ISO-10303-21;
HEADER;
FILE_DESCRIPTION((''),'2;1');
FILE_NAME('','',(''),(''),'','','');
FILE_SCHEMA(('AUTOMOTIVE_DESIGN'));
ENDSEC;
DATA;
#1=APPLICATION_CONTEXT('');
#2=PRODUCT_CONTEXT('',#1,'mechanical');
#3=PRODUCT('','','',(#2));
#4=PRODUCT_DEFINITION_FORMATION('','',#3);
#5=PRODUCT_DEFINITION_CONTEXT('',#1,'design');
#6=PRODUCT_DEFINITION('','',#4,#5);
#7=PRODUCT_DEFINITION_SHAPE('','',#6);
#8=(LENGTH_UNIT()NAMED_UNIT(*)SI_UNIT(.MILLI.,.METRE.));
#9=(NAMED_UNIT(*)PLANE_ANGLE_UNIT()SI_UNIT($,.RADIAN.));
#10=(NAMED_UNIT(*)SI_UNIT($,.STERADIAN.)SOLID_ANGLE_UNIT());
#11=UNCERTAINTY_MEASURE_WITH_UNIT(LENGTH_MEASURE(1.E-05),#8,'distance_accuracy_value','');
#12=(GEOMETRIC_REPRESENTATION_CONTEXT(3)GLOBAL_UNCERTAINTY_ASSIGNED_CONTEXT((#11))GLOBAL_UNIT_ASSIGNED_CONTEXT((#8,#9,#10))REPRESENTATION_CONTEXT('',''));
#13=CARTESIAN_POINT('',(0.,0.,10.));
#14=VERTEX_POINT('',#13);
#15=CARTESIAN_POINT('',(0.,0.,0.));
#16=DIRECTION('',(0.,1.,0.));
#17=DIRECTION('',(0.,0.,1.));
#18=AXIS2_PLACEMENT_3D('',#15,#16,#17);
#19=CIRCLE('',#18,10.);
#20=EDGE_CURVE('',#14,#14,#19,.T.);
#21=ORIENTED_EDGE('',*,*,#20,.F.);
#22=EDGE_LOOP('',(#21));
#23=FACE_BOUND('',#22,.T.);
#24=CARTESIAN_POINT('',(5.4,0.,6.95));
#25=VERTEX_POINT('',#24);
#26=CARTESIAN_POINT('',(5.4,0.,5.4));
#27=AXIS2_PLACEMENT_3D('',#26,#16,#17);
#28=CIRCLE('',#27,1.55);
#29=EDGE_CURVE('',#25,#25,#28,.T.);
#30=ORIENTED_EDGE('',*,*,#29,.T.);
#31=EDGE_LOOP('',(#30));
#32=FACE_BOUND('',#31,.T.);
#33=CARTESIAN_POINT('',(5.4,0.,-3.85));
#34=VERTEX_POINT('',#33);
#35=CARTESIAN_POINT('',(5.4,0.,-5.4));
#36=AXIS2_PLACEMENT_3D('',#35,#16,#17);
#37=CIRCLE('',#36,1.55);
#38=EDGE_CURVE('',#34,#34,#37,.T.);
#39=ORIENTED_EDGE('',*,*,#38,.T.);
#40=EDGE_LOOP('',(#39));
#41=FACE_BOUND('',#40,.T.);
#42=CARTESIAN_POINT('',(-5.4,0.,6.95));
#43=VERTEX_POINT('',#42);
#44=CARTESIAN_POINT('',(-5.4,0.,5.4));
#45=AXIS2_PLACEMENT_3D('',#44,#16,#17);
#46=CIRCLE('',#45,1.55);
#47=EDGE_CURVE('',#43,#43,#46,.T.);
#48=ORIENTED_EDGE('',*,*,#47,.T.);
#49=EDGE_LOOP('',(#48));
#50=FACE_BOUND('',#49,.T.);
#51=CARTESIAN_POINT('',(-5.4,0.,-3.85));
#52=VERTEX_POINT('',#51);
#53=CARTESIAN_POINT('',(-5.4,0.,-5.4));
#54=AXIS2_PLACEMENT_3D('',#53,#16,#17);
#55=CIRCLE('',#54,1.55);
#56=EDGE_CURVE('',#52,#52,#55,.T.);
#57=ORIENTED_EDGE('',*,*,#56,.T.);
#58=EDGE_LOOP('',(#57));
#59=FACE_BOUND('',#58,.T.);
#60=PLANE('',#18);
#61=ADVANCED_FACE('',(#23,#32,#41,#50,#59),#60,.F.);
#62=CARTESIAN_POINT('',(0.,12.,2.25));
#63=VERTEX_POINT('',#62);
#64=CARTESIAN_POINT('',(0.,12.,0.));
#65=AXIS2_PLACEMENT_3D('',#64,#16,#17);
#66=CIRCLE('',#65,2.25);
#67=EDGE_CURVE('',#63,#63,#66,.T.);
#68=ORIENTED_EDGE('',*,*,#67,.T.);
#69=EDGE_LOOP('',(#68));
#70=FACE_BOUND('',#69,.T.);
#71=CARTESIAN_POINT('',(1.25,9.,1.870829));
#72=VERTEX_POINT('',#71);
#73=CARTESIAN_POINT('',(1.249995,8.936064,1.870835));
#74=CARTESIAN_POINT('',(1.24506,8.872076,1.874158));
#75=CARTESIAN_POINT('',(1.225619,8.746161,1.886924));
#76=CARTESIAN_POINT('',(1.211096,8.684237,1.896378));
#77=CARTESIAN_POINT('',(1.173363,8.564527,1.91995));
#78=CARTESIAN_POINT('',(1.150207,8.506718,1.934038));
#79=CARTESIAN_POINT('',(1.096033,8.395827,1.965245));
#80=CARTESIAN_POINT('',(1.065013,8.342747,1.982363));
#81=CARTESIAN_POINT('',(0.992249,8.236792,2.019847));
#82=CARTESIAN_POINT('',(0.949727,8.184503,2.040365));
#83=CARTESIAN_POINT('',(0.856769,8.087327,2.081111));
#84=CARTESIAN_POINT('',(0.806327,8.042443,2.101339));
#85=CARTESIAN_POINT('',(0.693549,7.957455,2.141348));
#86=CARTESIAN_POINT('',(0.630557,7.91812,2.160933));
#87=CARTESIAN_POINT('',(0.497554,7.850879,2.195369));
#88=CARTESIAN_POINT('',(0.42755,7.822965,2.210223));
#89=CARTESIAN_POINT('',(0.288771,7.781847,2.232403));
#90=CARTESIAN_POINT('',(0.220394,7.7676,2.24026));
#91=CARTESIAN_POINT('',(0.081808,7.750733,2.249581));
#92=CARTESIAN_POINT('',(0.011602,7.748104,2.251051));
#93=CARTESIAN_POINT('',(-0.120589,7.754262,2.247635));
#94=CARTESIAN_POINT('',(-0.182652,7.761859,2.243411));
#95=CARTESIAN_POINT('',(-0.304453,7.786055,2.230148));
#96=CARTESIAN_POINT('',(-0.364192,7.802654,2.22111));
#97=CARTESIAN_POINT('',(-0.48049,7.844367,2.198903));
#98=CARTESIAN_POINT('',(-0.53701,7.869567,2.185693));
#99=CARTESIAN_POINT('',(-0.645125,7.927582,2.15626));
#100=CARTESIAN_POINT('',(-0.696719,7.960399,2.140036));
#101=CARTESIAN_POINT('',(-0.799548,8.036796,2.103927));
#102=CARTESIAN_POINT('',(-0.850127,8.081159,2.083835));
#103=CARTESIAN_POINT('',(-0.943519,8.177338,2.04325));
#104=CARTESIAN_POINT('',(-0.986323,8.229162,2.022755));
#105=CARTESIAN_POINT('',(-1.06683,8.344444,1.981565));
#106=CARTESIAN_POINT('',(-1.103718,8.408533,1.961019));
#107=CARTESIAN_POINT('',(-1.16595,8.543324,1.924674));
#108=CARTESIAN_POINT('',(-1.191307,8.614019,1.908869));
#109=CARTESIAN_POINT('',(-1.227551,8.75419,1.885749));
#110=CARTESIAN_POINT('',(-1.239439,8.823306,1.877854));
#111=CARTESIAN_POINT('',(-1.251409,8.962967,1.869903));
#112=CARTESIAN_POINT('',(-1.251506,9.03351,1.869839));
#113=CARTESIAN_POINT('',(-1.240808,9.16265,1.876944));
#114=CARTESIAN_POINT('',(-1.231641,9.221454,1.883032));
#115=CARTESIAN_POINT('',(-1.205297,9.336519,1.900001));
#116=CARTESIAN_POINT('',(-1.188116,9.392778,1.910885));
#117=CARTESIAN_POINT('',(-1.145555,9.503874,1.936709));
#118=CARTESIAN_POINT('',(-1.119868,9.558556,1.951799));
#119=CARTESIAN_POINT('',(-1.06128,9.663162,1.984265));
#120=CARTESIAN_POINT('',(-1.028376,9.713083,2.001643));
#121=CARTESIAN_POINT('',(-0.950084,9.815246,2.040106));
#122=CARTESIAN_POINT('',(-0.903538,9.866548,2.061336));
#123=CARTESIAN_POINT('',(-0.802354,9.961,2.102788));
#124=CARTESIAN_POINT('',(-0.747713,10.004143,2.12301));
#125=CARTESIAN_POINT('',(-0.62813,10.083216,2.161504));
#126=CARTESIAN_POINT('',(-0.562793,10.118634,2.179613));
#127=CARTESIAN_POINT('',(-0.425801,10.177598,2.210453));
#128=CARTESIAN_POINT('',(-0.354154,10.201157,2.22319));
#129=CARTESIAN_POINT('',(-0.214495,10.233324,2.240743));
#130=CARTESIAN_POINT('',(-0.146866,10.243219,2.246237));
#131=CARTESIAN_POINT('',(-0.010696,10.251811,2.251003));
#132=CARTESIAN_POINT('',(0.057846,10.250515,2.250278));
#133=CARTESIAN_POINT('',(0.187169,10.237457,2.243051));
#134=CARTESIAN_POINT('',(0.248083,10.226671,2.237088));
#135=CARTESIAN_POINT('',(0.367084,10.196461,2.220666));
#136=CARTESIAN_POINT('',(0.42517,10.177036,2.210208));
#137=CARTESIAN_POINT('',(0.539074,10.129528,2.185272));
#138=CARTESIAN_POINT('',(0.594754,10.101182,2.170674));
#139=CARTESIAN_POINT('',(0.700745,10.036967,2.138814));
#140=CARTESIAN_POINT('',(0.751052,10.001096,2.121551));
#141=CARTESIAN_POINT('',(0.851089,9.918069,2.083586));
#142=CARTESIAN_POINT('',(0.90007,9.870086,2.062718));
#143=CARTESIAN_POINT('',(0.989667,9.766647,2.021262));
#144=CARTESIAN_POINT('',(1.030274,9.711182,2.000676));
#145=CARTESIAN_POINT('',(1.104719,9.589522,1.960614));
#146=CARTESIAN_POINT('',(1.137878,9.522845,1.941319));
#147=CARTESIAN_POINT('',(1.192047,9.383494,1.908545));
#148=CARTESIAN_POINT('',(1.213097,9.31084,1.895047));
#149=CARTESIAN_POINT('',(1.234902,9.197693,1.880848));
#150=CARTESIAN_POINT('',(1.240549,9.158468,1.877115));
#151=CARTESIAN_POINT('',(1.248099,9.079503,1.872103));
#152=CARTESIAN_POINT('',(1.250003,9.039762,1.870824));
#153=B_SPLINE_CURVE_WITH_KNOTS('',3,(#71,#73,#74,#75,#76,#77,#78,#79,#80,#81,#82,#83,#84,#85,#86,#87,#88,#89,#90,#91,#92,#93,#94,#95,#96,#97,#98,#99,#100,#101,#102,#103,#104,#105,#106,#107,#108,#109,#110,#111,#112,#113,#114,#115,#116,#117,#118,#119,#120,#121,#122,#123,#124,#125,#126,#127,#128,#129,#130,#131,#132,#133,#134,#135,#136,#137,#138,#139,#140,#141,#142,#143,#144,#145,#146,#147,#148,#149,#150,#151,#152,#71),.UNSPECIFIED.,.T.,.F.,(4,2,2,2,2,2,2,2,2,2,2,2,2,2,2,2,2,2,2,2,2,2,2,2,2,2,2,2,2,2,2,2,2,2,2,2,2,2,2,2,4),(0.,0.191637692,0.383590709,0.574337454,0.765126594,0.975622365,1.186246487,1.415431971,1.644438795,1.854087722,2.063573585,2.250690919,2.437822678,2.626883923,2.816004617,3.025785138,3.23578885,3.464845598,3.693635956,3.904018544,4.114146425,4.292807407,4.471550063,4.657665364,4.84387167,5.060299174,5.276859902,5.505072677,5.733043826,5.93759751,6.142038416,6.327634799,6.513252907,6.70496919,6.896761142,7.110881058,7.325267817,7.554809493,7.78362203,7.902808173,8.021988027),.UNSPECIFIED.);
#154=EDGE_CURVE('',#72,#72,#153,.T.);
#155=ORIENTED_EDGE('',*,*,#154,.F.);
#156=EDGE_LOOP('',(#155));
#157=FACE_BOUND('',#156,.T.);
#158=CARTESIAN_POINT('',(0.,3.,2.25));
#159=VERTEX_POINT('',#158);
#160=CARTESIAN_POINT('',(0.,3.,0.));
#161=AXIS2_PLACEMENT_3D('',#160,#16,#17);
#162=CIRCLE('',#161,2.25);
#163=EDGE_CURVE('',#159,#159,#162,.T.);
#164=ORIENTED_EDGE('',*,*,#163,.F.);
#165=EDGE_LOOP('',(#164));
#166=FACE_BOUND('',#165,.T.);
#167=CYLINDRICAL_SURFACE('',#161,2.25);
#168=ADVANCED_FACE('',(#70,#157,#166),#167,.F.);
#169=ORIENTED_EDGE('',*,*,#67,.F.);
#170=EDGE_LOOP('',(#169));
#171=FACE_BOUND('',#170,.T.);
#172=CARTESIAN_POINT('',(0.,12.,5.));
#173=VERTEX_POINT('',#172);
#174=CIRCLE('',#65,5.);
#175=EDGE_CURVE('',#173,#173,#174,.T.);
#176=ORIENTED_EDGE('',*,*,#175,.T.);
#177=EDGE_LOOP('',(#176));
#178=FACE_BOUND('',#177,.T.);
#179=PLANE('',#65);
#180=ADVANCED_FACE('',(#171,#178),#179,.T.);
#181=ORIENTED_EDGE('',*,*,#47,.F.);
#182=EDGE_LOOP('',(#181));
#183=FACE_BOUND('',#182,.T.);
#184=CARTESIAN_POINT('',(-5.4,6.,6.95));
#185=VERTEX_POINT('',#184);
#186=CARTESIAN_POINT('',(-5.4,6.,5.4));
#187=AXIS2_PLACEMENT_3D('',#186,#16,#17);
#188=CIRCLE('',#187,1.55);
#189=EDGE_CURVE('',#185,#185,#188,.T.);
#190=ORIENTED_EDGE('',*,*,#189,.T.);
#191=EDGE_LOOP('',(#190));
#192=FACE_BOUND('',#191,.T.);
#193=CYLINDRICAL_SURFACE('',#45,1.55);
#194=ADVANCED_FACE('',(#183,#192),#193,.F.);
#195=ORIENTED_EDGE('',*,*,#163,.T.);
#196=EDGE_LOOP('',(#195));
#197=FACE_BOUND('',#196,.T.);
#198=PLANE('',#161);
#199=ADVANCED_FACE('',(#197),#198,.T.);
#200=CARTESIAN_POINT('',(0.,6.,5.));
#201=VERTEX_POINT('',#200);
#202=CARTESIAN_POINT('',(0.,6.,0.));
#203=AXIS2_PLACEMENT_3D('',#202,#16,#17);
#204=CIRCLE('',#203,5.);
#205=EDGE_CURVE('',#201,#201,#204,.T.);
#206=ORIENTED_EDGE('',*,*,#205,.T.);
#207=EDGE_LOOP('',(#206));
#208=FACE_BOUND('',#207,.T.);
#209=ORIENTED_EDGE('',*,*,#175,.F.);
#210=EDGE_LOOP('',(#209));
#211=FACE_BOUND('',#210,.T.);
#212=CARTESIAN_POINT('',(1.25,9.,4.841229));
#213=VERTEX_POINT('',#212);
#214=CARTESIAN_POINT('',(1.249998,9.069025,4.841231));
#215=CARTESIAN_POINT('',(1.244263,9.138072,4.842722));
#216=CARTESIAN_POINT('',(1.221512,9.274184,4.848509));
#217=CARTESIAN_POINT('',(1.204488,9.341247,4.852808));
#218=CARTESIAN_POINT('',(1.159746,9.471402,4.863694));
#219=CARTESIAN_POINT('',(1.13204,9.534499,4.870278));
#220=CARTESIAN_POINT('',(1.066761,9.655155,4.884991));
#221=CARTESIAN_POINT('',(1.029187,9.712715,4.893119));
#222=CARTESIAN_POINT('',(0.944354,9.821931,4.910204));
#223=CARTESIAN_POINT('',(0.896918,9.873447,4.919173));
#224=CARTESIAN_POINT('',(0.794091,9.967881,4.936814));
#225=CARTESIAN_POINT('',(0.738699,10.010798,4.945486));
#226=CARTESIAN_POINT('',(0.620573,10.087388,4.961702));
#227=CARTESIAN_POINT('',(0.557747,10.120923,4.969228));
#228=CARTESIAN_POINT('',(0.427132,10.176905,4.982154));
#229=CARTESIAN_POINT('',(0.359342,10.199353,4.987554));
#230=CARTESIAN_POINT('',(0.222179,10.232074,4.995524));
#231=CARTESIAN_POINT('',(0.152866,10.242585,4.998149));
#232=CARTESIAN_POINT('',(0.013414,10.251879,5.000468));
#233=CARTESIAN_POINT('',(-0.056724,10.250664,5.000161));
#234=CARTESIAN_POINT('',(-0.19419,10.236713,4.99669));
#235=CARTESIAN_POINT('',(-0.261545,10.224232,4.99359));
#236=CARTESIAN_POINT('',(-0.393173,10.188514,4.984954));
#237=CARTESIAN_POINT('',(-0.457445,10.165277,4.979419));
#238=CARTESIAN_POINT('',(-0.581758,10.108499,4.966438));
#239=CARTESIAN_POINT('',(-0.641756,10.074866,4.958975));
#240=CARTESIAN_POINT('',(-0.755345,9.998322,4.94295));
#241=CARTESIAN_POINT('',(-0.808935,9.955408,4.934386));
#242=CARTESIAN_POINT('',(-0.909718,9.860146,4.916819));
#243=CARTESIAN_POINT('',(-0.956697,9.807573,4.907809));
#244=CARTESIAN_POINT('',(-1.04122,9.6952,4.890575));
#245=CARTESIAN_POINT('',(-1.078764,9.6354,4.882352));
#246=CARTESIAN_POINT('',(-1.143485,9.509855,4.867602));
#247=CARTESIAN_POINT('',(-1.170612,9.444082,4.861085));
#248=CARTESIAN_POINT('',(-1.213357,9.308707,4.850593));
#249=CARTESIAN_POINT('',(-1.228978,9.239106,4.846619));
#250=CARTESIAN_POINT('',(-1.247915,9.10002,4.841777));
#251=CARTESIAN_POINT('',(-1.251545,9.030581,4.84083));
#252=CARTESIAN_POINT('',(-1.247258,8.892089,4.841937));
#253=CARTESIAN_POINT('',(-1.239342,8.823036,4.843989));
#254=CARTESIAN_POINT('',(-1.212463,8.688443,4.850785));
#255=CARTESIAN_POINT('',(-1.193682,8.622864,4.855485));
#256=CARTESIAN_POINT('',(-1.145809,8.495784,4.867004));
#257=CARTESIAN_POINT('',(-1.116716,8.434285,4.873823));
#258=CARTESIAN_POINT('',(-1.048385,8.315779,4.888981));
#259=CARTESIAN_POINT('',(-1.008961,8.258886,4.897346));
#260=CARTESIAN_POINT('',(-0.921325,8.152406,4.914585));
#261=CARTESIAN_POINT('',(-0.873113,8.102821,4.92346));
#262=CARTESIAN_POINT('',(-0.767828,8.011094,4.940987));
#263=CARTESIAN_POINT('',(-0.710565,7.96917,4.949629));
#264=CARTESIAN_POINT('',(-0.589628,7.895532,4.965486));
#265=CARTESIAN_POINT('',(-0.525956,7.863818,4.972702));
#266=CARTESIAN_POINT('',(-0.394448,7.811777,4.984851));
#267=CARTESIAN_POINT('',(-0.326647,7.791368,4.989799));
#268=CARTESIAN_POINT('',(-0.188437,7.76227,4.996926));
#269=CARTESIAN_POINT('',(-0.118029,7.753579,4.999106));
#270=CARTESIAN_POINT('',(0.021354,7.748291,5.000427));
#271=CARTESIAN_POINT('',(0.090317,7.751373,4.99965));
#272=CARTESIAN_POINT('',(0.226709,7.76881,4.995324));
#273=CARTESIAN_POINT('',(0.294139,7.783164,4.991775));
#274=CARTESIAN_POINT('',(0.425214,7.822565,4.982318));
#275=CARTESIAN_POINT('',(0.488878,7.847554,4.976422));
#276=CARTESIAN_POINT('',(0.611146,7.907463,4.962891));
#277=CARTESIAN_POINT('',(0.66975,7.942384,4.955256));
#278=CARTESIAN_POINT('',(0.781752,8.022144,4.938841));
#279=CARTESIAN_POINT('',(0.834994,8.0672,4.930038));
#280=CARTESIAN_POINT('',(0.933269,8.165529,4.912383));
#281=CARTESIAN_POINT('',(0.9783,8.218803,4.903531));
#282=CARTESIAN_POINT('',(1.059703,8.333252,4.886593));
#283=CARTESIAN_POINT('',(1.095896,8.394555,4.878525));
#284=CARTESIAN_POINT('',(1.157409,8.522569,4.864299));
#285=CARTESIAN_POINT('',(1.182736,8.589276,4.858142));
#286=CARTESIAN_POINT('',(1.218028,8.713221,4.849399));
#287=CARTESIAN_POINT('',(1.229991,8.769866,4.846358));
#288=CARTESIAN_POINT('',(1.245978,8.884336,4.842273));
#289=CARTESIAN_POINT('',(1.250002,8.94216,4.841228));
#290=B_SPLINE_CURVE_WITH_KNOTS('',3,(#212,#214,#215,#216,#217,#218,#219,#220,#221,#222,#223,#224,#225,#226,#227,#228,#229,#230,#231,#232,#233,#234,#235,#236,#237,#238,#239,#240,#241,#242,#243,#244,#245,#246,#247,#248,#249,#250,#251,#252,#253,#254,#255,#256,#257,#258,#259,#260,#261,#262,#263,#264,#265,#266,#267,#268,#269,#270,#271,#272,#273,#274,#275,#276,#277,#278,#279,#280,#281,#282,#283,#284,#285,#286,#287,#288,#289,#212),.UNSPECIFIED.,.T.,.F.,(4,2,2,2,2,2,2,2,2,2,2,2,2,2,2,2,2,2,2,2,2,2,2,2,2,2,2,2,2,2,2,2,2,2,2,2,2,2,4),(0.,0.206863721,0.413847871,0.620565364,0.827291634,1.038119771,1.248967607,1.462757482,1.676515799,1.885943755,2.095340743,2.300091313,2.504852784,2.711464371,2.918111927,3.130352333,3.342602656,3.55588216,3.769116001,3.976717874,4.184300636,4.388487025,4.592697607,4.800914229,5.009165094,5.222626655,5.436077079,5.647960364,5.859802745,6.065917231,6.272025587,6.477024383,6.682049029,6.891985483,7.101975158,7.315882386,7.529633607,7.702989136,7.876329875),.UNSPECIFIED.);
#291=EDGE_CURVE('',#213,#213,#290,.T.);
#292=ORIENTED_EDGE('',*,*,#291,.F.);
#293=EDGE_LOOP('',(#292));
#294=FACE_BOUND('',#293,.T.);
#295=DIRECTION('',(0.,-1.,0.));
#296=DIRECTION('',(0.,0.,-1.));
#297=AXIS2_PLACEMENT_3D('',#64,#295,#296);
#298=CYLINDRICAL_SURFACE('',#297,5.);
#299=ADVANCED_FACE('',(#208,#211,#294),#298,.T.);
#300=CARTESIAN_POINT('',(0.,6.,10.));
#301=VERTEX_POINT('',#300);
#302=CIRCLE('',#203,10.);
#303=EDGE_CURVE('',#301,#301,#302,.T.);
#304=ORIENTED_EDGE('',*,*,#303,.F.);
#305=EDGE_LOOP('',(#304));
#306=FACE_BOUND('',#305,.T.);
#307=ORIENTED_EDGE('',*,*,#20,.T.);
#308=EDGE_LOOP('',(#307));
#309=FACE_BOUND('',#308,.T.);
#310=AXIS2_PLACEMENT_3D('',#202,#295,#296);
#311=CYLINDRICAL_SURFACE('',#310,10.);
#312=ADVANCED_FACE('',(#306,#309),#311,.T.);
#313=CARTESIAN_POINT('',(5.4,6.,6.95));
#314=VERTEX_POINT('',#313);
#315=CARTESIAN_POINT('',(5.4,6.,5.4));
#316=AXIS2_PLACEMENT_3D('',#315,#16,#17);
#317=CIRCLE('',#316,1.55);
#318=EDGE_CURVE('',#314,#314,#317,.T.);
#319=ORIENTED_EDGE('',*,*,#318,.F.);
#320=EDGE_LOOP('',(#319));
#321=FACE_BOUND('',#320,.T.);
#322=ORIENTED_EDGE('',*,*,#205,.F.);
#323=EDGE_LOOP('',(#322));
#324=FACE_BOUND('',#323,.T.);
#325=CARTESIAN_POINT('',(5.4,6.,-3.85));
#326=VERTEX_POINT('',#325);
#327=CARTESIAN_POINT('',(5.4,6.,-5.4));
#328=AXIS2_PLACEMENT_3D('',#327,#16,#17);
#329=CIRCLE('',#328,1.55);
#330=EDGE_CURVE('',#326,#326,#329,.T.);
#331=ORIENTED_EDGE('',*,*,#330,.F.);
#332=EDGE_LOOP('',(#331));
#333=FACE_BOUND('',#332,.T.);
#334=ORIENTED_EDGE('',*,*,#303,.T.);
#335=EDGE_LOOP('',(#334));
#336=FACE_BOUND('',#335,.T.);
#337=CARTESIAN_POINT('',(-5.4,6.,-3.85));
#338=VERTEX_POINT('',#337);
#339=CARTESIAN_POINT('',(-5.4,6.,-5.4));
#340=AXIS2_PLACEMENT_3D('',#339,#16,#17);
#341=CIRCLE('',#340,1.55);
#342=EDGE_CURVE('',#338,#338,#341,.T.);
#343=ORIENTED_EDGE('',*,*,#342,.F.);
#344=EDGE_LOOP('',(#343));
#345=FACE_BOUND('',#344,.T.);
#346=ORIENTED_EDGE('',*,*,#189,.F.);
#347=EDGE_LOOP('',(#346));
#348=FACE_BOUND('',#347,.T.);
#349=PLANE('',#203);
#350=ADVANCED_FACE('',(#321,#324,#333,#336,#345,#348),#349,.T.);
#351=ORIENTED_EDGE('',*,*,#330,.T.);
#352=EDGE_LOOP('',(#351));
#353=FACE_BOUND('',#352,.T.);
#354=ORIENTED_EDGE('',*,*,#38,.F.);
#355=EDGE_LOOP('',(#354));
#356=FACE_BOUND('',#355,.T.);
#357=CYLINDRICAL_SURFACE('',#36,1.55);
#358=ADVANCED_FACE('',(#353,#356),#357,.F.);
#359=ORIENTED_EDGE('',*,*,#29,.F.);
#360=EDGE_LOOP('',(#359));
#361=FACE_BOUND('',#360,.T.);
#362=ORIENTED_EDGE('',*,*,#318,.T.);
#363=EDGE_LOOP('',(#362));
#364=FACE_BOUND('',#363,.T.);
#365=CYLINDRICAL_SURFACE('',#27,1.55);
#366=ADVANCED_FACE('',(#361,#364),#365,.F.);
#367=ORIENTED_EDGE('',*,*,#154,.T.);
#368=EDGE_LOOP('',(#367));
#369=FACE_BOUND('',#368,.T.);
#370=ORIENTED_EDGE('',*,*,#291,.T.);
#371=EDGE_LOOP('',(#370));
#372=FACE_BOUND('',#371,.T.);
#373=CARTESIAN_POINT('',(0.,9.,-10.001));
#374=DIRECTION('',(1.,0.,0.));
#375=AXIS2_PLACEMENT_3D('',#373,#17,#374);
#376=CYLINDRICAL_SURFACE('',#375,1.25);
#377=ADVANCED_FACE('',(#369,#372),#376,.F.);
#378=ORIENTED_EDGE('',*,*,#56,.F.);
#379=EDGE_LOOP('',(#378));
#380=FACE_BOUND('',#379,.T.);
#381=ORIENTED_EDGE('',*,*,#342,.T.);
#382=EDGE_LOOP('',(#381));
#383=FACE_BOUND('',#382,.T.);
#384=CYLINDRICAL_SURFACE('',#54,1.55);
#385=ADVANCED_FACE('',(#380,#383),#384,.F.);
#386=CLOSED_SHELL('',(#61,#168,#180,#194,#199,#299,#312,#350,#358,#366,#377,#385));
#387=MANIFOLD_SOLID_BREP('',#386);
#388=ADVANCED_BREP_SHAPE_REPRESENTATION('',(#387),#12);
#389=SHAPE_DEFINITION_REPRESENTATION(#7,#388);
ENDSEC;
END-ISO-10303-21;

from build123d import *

# Parameters (mm, degrees)
SKIZZE1_R                       = 10
AUFSATZ_LINEAR_AUSTRAGEN1_DEPTH = 6
SKIZZE2_R                       = 5
AUFSATZ_LINEAR_AUSTRAGEN2_DEPTH = 6
SKIZZE3_R                       = 2.25
SCHNITT_LINEAR_AUSTRAGEN1_DEPTH = 9
SKIZZE4_R                       = 1.55
SCHNITT_LINEAR_AUSTRAGEN2_DEPTH = 7
SCHNITT_LINEAR_AUSTRAGEN3_REACH = 17
SKIZZE5_R                       = 1.25


with BuildPart() as part:
    # Skizze1 → Aufsatz-Linear austragen1 (new body)
    with BuildSketch(Plane(origin=(0, 0, 0), x_dir=(1, 0, 0), z_dir=(0, 1, 0))):
        Circle(SKIZZE1_R)
    extrude(amount=AUFSATZ_LINEAR_AUSTRAGEN1_DEPTH)

    # Skizze2 → Aufsatz-Linear austragen2 (add)
    with BuildSketch(Plane(origin=(0, 6, 0), x_dir=(1, 0, 0), z_dir=(0, 1, 0))):
        Circle(SKIZZE2_R)
    extrude(amount=AUFSATZ_LINEAR_AUSTRAGEN2_DEPTH)

    # Skizze3 → Schnitt-Linear austragen1 (cut)
    with BuildSketch(Plane(origin=(0, 12, 0), x_dir=(1, 0, 0), z_dir=(0, 1, 0))):
        Circle(SKIZZE3_R)
    extrude(amount=-SCHNITT_LINEAR_AUSTRAGEN1_DEPTH, mode=Mode.SUBTRACT)

    # Skizze4 → Schnitt-Linear austragen2 (cut, through all)
    with BuildSketch(Plane(origin=(0, 6, 0), x_dir=(1, 0, 0), z_dir=(0, 1, 0))):
        with Locations((-5.4, 5.4)):
            Circle(SKIZZE4_R)
        with Locations((5.4, 5.4)):
            Circle(SKIZZE4_R)
        with Locations((5.4, -5.4)):
            Circle(SKIZZE4_R)
        with Locations((-5.4, -5.4)):
            Circle(SKIZZE4_R)
    extrude(amount=-SCHNITT_LINEAR_AUSTRAGEN2_DEPTH, mode=Mode.SUBTRACT)

    # Skizze5 → Schnitt-Linear austragen3 (cut, up to next)
    with BuildSketch(Plane.XY.offset(5), mode=Mode.PRIVATE) as schnitt_linear_austragen3_sk1:
        with Locations((0, 9)):
            Circle(SKIZZE5_R)
    schnitt_linear_austragen3_tool1 = extrude(schnitt_linear_austragen3_sk1.sketch, amount=-SCHNITT_LINEAR_AUSTRAGEN3_REACH, mode=Mode.PRIVATE) & part.part
    add(schnitt_linear_austragen3_tool1.solids().sort_by_distance((0, 9, 5))[0], mode=Mode.SUBTRACT)


solid = part.part
